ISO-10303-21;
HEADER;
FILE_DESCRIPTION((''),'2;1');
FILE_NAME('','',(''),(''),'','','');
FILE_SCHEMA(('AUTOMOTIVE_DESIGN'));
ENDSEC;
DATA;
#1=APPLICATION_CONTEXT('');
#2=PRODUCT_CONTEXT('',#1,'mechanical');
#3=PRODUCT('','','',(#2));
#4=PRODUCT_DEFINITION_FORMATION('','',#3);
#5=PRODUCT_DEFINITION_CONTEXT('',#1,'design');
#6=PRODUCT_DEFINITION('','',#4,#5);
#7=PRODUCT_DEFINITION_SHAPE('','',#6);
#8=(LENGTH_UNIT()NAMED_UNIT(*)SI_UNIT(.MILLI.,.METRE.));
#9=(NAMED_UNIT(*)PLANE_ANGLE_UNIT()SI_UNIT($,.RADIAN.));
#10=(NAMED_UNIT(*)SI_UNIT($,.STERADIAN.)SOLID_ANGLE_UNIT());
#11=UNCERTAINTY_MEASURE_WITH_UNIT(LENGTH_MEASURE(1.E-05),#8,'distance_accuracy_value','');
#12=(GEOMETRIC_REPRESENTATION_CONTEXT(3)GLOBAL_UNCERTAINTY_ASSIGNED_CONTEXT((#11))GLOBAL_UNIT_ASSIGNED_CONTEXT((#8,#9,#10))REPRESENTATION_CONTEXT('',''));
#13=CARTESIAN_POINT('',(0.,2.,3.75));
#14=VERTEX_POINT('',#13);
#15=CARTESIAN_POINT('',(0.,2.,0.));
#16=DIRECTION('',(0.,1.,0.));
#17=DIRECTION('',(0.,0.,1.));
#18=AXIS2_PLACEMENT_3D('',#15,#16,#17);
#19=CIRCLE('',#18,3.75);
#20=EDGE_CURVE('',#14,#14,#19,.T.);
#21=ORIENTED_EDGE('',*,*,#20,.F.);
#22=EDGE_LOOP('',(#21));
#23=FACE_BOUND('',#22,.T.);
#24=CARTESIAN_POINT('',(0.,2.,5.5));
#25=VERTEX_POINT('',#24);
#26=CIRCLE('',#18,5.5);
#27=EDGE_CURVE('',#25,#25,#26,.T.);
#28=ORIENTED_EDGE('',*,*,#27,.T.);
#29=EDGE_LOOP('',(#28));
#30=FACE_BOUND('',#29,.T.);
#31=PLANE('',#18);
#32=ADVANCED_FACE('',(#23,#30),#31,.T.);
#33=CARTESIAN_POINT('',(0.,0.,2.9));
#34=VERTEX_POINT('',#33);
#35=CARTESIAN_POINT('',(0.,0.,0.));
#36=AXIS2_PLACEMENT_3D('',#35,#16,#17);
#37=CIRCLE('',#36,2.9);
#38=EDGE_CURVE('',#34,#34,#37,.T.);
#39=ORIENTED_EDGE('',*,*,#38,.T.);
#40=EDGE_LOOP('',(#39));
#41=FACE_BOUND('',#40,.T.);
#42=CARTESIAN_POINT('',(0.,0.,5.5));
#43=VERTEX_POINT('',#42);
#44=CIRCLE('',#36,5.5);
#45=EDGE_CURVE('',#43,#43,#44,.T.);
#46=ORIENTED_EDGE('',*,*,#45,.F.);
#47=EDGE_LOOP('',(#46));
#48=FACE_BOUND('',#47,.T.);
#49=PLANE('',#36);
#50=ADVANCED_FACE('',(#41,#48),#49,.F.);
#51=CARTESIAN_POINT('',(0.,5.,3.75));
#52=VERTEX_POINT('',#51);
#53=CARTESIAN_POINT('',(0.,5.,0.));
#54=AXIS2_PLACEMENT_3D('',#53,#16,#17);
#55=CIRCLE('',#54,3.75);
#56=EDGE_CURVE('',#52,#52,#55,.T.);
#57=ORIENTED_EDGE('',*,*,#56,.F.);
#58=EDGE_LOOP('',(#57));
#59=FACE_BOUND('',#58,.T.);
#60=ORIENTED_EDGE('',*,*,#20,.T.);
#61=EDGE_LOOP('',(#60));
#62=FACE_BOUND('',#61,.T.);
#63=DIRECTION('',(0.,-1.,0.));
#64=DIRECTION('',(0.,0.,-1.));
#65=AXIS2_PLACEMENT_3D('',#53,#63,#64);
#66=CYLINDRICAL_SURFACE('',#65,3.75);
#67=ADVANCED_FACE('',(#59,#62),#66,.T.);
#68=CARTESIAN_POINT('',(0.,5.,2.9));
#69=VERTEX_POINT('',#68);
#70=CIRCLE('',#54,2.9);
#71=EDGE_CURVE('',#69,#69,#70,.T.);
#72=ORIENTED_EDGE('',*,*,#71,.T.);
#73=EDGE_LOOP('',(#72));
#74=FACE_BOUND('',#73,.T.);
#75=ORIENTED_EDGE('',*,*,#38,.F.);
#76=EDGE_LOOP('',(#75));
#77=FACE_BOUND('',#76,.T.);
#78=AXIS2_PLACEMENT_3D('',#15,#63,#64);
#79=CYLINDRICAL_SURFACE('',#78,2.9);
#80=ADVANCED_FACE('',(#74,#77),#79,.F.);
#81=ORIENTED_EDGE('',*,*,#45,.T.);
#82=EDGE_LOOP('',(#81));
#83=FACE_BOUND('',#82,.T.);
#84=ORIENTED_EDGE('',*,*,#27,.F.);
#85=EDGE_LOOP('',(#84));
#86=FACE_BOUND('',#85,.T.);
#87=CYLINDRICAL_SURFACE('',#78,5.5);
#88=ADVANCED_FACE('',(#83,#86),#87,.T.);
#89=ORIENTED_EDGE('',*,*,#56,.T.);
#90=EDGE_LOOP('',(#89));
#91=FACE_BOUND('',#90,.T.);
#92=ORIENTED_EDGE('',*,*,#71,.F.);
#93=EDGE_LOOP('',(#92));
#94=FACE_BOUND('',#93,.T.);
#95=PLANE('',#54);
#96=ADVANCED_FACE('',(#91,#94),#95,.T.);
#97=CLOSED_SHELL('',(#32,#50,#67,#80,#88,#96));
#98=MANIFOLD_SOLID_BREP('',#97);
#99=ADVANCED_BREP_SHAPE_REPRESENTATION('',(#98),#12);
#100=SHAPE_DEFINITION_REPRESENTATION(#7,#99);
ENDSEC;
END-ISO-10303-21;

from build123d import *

# Parameters (mm, degrees)
ESQUISSE1_R        = 5.5
ESQUISSE1_R_2      = 2.9
BOSS_EXTRU_1_DEPTH = 2
ESQUISSE2_R        = 3.75
ESQUISSE2_R_2      = 2.9
BOSS_EXTRU_2_DEPTH = 3


with BuildPart() as part:
    # Esquisse1 → Boss.-Extru.1 (new body)
    with BuildSketch(Plane(origin=(0, 0, 0), x_dir=(1, 0, 0), z_dir=(0, 1, 0))):
        with Locations(Location((0, 0, 0), (0, 0, 270))):
            Circle(ESQUISSE1_R)
        with Locations(Location((0, 0, 0), (0, 0, 270))):
            Circle(ESQUISSE1_R_2, mode=Mode.SUBTRACT)
    extrude(amount=BOSS_EXTRU_1_DEPTH)

    # Esquisse2 → Boss.-Extru.2 (add)
    with BuildSketch(Plane(origin=(0, 2, 0), x_dir=(1, 0, 0), z_dir=(0, 1, 0))):
        with Locations(Location((0, 0, 0), (0, 0, 270))):
            Circle(ESQUISSE2_R)
        with Locations(Location((0, 0, 0), (0, 0, 270))):
            Circle(ESQUISSE2_R_2, mode=Mode.SUBTRACT)
    extrude(amount=BOSS_EXTRU_2_DEPTH)


solid = part.part
